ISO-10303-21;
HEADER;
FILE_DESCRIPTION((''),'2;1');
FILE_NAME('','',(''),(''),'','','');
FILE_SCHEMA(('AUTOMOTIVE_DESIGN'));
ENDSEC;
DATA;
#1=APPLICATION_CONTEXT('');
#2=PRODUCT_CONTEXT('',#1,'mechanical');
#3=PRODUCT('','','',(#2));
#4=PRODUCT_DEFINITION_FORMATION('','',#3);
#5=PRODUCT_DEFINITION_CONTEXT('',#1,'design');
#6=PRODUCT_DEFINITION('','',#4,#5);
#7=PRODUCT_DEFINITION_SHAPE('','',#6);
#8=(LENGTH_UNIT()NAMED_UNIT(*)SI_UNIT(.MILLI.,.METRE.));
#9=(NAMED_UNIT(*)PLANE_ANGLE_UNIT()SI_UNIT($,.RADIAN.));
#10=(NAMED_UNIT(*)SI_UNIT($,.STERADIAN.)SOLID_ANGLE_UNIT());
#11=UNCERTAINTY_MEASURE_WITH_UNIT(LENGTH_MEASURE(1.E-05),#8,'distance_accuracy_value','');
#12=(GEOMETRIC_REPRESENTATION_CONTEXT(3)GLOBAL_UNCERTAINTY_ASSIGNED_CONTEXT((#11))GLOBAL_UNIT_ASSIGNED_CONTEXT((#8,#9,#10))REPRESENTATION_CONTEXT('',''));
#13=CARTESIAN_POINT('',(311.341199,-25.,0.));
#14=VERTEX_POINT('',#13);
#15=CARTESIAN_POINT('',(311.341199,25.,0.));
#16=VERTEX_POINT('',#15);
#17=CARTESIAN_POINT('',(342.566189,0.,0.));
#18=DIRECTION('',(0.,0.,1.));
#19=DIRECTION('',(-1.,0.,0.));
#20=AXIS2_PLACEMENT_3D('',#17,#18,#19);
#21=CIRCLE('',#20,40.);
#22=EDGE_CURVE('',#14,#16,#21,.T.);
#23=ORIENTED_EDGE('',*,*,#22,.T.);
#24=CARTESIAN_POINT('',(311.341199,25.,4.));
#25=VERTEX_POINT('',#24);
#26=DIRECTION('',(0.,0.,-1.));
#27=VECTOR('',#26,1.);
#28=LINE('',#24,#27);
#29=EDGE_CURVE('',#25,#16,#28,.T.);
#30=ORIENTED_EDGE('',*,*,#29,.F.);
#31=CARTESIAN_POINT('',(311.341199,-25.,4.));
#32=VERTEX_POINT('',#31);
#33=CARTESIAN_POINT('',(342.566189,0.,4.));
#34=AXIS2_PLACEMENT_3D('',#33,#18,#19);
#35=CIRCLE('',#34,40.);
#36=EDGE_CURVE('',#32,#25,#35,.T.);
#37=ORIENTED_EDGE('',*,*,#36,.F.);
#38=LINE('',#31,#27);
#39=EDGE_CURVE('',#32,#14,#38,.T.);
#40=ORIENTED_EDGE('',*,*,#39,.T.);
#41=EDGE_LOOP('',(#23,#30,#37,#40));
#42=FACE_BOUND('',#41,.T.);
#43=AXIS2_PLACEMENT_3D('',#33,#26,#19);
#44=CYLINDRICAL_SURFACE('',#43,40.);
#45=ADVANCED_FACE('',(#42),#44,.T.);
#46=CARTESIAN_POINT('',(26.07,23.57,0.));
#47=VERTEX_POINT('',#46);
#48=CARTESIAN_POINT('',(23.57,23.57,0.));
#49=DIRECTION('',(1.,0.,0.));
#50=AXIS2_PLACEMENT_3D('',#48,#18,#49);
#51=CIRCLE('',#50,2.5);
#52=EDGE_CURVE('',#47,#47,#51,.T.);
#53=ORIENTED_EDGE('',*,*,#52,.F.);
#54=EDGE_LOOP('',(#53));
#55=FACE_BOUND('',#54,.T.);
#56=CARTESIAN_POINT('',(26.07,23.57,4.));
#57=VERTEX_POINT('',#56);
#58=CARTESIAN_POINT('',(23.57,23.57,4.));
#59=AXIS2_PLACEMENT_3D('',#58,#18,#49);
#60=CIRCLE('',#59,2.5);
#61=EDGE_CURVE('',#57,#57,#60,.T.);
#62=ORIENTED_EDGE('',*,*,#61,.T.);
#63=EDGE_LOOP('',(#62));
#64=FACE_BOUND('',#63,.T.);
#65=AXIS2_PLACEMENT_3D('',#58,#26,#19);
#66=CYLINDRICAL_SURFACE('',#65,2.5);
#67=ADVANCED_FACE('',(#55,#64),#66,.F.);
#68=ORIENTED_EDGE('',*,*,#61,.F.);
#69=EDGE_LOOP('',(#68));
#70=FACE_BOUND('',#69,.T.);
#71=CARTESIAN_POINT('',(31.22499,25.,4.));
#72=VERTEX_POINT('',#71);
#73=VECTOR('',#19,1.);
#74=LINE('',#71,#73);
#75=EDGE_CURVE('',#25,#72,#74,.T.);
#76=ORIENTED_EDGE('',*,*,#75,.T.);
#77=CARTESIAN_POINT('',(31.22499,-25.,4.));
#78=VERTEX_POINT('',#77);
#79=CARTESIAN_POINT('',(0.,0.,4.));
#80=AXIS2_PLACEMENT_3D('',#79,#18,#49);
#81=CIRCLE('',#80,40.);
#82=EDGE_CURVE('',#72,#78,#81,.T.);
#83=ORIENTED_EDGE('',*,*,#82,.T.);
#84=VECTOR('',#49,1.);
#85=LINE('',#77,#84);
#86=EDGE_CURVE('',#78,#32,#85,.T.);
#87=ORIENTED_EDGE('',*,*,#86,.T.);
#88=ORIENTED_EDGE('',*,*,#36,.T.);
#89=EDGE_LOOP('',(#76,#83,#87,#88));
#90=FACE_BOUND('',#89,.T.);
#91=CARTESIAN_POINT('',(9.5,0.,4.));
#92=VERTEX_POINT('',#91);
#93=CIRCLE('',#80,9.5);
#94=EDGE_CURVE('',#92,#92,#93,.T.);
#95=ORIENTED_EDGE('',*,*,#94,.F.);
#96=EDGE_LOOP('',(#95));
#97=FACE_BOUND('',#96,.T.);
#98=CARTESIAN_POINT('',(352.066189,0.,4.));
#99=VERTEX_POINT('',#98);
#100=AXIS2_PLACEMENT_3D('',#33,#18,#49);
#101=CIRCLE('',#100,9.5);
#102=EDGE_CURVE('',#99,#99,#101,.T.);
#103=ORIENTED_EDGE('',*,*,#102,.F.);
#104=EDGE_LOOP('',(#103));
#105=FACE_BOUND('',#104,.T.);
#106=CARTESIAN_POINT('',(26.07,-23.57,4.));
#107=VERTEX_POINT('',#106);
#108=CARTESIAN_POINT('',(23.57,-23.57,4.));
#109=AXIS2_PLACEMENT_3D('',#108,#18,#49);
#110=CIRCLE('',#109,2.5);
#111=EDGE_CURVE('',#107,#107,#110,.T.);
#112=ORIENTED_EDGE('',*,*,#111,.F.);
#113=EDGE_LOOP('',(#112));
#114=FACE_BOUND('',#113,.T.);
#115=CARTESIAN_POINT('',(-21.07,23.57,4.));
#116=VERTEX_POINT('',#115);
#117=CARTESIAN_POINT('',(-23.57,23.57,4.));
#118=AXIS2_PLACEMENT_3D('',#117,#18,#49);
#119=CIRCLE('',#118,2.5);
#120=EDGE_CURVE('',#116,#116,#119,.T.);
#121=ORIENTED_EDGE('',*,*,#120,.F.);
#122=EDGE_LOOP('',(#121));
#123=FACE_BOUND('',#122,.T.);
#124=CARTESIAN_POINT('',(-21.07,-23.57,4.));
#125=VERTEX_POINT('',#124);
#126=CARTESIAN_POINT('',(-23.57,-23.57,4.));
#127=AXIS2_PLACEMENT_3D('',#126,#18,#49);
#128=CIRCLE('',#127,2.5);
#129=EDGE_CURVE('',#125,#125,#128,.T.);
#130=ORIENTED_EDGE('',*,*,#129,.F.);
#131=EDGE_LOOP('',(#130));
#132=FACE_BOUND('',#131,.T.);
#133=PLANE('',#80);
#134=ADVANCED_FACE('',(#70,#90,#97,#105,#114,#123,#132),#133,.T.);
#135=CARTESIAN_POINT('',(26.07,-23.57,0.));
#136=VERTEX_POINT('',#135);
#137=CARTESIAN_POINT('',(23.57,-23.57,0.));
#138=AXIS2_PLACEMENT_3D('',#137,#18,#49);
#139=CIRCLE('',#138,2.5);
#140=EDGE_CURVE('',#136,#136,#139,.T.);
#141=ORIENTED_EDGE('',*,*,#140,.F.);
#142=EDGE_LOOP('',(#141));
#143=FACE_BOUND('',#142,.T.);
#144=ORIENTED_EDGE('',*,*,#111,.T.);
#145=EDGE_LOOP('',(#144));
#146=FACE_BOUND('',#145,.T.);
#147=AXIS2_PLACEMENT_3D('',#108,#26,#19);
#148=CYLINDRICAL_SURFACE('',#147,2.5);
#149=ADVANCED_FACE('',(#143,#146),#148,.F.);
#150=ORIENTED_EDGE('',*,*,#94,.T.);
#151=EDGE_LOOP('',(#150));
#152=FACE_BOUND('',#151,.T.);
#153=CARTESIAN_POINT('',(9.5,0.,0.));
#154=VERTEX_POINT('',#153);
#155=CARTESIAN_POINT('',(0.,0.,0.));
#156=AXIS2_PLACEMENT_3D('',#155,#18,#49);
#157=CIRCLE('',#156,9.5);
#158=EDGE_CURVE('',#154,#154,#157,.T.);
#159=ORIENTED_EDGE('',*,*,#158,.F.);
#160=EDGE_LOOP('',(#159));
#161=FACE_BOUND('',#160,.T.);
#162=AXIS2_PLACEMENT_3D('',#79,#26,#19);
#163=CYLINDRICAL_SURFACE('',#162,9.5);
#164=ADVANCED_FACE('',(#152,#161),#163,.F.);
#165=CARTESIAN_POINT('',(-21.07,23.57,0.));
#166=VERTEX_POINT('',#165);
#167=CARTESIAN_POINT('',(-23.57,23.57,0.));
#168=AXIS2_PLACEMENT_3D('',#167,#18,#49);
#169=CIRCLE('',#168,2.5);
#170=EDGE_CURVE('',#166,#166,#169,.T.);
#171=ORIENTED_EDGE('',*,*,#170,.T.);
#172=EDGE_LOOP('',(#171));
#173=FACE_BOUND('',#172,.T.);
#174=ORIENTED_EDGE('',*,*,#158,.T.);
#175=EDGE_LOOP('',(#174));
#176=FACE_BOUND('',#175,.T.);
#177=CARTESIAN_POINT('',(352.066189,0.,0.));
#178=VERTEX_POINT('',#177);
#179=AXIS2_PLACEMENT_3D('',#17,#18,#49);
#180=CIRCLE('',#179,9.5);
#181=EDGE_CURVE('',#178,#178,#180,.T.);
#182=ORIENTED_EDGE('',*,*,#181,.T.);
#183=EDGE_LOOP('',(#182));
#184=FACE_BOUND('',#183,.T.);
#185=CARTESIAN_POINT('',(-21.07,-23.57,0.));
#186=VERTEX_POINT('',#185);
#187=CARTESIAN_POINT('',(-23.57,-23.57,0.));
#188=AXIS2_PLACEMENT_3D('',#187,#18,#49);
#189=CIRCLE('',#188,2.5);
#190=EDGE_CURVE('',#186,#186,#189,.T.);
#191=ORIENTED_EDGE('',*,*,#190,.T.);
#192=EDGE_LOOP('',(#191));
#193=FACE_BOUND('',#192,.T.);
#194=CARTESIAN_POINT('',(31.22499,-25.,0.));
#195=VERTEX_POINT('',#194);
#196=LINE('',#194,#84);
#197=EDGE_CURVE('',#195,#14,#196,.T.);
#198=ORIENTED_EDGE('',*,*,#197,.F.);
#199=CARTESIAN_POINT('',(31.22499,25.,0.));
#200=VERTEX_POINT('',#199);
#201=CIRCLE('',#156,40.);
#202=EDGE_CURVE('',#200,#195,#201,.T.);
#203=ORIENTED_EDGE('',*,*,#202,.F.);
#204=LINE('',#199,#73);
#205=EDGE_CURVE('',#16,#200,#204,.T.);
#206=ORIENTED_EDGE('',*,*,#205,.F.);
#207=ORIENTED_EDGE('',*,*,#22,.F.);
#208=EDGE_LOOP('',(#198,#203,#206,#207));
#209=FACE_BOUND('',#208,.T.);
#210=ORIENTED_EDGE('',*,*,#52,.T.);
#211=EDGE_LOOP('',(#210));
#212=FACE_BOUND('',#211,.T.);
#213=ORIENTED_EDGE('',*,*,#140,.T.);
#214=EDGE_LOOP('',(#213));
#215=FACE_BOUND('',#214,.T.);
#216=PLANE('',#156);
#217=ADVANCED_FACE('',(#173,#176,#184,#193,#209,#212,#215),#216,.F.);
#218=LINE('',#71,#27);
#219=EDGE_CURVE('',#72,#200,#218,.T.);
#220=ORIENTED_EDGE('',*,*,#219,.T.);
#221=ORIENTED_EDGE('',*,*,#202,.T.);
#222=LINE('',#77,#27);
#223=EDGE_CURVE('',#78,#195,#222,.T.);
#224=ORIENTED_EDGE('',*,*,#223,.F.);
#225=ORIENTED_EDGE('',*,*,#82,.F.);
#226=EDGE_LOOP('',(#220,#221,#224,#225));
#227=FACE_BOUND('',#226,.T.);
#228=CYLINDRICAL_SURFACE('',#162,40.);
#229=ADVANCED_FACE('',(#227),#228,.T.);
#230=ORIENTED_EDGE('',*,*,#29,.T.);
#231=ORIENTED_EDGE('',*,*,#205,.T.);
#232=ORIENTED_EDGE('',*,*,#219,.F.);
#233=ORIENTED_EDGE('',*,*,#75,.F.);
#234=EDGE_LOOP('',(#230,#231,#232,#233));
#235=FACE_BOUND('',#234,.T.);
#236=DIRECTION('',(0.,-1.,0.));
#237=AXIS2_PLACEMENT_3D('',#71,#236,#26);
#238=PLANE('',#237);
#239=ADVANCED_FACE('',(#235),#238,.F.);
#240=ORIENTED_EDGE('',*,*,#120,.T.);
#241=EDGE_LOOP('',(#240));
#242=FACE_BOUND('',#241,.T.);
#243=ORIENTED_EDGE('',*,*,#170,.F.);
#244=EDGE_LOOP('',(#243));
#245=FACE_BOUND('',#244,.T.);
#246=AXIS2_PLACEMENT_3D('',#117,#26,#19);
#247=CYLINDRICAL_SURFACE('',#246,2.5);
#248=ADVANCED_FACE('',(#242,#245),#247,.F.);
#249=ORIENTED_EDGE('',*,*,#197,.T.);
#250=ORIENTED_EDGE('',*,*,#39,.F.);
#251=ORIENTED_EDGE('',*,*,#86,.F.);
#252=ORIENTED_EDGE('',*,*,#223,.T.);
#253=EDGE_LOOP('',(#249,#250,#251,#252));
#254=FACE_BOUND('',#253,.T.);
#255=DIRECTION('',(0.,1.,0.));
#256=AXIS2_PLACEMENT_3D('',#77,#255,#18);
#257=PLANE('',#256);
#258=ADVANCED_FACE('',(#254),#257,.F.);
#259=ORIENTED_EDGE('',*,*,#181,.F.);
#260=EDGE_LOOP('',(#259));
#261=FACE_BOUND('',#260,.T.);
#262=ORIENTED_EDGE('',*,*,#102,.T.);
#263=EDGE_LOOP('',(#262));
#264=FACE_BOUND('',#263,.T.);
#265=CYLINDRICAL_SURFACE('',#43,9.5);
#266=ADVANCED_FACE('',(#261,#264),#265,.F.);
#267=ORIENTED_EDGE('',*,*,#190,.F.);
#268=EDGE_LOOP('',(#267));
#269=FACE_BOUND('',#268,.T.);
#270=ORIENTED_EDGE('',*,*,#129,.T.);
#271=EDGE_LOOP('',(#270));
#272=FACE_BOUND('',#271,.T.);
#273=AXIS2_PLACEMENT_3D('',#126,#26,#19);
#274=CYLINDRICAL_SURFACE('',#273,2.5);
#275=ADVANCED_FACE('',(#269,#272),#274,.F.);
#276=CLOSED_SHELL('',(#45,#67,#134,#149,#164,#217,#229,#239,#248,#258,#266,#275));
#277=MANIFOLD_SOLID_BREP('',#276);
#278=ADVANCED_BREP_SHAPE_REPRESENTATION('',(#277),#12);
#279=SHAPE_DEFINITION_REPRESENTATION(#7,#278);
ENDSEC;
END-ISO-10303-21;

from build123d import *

# Parameters (mm, degrees)
SKETCH_1_R      = 2.5
SKETCH_1_R_2    = 9.5
EXTRUDE_1_DEPTH = 4


with BuildPart() as part:
    # 草图1 → 凸台-拉伸1 (new body)
    with BuildSketch(Plane.XY):
        with BuildLine():
            Line((31.224989992, 25), (311.341198994, 25))
            ThreePointArc((311.341198994, 25), (382.566188986, 0), (311.341198994, -25))
            Line((311.341198994, -25), (31.224989992, -25))
            ThreePointArc((31.224989992, -25), (-40, 0), (31.224989992, 25))
        make_face()
        with Locations((-23.57, 23.57)):
            Circle(SKETCH_1_R, mode=Mode.SUBTRACT)
        with Locations((23.57, 23.57)):
            Circle(SKETCH_1_R, mode=Mode.SUBTRACT)
        with Locations((23.57, -23.57)):
            Circle(SKETCH_1_R, mode=Mode.SUBTRACT)
        with Locations((-23.57, -23.57)):
            Circle(SKETCH_1_R, mode=Mode.SUBTRACT)
        with Locations((342.566188986, 0)):
            Circle(SKETCH_1_R_2, mode=Mode.SUBTRACT)
        Circle(SKETCH_1_R_2, mode=Mode.SUBTRACT)
    extrude(amount=EXTRUDE_1_DEPTH)


solid = part.part
